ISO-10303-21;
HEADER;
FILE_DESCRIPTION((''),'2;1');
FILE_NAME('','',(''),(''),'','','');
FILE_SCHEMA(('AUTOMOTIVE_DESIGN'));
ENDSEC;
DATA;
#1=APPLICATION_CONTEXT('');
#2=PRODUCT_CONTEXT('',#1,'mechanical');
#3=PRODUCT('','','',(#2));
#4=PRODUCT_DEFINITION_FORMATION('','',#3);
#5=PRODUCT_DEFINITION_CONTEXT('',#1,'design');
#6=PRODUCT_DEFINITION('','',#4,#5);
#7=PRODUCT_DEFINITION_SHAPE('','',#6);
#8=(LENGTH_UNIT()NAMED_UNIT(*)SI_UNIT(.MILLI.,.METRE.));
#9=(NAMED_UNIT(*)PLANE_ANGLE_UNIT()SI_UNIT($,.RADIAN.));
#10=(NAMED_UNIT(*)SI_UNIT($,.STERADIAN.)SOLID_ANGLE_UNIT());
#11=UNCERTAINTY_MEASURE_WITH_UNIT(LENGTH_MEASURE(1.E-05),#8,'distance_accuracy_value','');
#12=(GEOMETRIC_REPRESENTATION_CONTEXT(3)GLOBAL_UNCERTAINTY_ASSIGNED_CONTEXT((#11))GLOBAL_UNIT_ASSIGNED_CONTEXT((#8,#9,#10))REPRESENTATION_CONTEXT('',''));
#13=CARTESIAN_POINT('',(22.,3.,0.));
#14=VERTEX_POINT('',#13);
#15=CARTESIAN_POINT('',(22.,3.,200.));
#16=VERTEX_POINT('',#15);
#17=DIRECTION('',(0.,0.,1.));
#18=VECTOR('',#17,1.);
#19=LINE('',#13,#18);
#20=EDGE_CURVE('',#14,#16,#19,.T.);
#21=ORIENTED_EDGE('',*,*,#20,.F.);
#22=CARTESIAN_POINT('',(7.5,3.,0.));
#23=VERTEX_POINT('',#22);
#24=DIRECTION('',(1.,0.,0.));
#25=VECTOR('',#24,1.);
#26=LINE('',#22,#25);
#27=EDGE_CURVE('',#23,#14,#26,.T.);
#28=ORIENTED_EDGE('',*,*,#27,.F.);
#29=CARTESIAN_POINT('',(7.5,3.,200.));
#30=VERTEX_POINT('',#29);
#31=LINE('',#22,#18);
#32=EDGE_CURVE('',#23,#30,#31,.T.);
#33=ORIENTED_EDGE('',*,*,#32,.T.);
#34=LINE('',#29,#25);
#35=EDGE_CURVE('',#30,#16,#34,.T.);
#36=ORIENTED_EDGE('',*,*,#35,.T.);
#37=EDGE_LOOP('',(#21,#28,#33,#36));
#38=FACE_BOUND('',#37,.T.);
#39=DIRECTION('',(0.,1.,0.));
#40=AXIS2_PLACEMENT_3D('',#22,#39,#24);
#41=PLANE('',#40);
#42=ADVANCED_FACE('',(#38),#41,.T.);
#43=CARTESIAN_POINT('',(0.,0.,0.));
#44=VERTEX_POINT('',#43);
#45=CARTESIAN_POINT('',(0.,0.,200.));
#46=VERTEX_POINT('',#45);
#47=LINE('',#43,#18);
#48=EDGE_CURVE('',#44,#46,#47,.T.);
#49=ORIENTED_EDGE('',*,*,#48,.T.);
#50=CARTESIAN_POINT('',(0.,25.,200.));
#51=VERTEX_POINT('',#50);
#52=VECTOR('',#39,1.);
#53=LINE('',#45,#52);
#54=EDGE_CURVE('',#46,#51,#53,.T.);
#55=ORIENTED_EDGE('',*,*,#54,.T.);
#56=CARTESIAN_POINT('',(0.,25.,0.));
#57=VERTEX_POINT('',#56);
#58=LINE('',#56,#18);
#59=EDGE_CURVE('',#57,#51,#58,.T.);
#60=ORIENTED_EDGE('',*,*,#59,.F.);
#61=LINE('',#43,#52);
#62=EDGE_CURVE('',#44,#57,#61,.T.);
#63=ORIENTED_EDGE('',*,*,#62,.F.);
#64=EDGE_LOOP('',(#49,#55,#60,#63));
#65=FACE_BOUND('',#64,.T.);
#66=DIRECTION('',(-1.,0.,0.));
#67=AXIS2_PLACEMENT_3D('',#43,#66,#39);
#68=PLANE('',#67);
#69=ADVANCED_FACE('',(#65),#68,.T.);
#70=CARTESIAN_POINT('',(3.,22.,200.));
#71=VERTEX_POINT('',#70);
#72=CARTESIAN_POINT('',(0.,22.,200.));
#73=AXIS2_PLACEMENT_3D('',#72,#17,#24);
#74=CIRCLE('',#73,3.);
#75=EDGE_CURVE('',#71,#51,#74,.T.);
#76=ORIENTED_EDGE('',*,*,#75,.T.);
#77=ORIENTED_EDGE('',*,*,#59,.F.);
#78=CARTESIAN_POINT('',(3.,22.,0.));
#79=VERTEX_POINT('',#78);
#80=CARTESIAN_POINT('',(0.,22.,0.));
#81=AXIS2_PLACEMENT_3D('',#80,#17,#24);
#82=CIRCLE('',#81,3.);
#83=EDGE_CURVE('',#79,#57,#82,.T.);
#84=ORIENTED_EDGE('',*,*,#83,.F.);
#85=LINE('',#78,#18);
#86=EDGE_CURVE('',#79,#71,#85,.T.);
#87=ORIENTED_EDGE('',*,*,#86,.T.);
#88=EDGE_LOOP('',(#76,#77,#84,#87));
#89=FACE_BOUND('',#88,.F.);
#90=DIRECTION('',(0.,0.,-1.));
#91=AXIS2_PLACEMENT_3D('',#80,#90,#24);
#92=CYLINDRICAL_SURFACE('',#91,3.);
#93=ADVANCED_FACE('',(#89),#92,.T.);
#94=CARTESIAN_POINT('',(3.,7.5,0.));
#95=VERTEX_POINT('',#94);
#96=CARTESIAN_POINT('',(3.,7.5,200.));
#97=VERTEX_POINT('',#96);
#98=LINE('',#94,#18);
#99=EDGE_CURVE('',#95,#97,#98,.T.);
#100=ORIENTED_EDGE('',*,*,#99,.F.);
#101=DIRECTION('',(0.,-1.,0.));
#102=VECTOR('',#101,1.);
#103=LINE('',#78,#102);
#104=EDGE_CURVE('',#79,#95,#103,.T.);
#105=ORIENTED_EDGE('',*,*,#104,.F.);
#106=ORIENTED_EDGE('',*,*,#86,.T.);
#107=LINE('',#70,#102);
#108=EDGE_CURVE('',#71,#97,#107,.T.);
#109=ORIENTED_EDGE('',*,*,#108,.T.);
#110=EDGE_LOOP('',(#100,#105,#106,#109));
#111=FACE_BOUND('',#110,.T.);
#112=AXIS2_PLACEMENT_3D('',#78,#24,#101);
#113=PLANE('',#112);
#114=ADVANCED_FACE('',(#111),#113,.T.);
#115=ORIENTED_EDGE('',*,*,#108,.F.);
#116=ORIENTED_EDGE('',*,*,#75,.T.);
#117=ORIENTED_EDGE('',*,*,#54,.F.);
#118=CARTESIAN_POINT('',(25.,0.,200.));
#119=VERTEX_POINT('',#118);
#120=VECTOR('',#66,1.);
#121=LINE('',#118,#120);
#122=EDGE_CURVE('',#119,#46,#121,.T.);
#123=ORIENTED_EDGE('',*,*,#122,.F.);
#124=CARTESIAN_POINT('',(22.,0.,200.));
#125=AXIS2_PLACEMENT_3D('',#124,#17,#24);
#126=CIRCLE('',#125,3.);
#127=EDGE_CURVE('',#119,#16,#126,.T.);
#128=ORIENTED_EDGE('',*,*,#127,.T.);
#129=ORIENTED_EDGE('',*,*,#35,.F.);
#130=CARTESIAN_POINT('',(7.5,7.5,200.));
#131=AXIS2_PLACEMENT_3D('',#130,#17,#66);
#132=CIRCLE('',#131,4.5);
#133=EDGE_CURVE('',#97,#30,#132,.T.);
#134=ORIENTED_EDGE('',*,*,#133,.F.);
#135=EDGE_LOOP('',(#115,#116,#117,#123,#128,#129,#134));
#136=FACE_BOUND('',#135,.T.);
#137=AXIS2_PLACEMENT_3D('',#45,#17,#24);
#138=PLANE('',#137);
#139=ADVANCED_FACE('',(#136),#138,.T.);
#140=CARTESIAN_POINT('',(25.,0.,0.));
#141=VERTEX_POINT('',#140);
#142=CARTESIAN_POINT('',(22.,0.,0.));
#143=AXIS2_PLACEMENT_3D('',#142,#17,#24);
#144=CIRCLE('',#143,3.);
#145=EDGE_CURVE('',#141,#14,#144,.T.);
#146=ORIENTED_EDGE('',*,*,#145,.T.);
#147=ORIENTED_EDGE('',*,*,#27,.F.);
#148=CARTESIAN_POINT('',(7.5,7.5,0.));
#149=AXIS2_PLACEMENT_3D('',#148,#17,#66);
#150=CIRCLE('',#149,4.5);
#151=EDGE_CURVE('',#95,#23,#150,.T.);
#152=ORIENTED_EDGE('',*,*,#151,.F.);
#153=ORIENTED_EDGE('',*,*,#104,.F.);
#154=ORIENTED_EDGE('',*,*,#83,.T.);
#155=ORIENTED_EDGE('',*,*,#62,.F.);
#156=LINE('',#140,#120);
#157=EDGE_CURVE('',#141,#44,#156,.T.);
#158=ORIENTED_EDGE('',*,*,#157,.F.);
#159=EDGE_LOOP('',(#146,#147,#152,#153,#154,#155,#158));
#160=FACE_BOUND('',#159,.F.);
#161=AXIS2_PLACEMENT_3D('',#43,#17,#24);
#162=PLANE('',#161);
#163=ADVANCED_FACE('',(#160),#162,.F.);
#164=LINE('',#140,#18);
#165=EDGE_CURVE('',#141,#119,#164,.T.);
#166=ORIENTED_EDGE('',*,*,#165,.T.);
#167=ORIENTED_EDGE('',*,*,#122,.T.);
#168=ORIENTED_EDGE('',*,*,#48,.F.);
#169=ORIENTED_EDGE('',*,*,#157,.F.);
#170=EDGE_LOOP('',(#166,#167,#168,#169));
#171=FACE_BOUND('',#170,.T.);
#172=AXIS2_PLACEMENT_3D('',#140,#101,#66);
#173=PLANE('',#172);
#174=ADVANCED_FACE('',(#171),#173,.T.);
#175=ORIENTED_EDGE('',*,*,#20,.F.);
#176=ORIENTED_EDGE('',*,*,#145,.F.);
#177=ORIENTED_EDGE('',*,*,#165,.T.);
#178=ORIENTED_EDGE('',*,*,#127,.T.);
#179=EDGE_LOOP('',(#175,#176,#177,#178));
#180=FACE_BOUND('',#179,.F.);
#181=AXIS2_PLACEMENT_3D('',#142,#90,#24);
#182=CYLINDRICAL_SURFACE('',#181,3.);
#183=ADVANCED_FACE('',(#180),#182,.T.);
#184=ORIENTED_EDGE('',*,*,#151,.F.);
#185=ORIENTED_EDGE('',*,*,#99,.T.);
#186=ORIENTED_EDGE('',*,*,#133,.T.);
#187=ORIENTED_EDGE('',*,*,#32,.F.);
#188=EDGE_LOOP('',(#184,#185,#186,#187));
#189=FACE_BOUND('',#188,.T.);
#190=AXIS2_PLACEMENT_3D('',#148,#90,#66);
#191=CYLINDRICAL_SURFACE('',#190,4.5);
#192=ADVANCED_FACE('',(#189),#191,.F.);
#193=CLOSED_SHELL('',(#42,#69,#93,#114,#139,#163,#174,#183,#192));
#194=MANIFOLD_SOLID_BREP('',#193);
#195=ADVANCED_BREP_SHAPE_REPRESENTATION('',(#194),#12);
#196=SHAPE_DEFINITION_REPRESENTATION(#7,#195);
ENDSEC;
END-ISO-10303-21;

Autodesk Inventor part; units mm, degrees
ref_plane "YZ Plane" through (0, 0, 0) normal (1, 0, 0) x (0, 1, 0)
ref_plane "Płaszczyzna początkowa" through (0, 0, 0) normal (0, 0, 1) x (1, 0, 0)
ref_plane "Płaszczyzna końcowa" through (0, 0, 200) normal (0, 0, 1) x (1, 0, 0)
sketch "Szkic" plane through (0, 0, 0) normal (0, 0, 1) x (1, 0, 0)
  line L0 (25, 0) -> (0, 0)
  line L1 (0, 0) -> (0, 25)
  line L2 (0, 25) -> (0, 25)
  line L3 (3, 22) -> (3, 7.5)
  line L4 (7.5, 3) -> (22, 3)
  line L5 (25, 0) -> (25, 0)
  line L6 (0, -11.0414) -> (0, 31.5385) construction
  line L7 (-11.0414, 0) -> (31.5385, 0) construction
  arc A0 (3, 7.5) -> (7.5, 3) centre (7.5, 7.5) ccw
  arc A1 (3, 22) -> (0, 25) centre (0, 22) ccw
  arc A2 (25, 0) -> (22, 3) centre (22, 0) ccw
  line L8 (0, 40.0545) -> (0, -19.5574) construction
  line L9 (-19.5574, 0) -> (40.0545, 0) construction
  point P0 (3, 25)
  point P1 (3, 3)
  point P2 (25, 3)
  dimension "d0" = 25
  dimension "d1" = 25
  dimension "d2" = 3
  dimension "d3" = 3
  dimension "d8" = 4.5
  dimension "d9" = 3
  dimension "d10" = 0
  dimension "d11" = 0
extrude "Bryła" add sketch "Szkic" along normal up to surface (200 mm away) from surface at 0
sketch "Sketch3" plane through (0, 0, 0) normal (0, 0, 1) x (1, 0, 0)
  line L0 (0, 0) -> (10, 0)
ref_plane "Work Plane3" through (0, 0, 0) normal (0, -1, 0) x (1, 0, 0)
sketch "Sketch4" plane through (0, 0, 0) normal (0, -1, 0) x (1, 0, 0)
  line L0 (-2, 0) -> (12, 0)
  line L1 (-2, 200) -> (12, 200)
  dimension "d15" = 200
equation "\"d0\" = G_H"
equation "\"d1\" = G_H"
equation "\"d2\" = G_T"
equation "\"d3\" = G_T"
equation "\"d8\" = G_IR"
equation "\"d9\" = G_ER"
equation "\"d4\" = G_L"
equation "\"G_H\" = 25"
equation "\"G_T\" = 3"
equation "\"G_ER\" = 3"
equation "\"G_IR\" = 4.5"
equation "\"G_L\" = d15"
equation "\"ex\" = 0"
equation "\"G_OFFSET_START\" = 0"
equation "\"G_OFFSET_END\" = 0"
properties part number "IS 808 - ISA 2525 - 200" material "Stal, miękka"
